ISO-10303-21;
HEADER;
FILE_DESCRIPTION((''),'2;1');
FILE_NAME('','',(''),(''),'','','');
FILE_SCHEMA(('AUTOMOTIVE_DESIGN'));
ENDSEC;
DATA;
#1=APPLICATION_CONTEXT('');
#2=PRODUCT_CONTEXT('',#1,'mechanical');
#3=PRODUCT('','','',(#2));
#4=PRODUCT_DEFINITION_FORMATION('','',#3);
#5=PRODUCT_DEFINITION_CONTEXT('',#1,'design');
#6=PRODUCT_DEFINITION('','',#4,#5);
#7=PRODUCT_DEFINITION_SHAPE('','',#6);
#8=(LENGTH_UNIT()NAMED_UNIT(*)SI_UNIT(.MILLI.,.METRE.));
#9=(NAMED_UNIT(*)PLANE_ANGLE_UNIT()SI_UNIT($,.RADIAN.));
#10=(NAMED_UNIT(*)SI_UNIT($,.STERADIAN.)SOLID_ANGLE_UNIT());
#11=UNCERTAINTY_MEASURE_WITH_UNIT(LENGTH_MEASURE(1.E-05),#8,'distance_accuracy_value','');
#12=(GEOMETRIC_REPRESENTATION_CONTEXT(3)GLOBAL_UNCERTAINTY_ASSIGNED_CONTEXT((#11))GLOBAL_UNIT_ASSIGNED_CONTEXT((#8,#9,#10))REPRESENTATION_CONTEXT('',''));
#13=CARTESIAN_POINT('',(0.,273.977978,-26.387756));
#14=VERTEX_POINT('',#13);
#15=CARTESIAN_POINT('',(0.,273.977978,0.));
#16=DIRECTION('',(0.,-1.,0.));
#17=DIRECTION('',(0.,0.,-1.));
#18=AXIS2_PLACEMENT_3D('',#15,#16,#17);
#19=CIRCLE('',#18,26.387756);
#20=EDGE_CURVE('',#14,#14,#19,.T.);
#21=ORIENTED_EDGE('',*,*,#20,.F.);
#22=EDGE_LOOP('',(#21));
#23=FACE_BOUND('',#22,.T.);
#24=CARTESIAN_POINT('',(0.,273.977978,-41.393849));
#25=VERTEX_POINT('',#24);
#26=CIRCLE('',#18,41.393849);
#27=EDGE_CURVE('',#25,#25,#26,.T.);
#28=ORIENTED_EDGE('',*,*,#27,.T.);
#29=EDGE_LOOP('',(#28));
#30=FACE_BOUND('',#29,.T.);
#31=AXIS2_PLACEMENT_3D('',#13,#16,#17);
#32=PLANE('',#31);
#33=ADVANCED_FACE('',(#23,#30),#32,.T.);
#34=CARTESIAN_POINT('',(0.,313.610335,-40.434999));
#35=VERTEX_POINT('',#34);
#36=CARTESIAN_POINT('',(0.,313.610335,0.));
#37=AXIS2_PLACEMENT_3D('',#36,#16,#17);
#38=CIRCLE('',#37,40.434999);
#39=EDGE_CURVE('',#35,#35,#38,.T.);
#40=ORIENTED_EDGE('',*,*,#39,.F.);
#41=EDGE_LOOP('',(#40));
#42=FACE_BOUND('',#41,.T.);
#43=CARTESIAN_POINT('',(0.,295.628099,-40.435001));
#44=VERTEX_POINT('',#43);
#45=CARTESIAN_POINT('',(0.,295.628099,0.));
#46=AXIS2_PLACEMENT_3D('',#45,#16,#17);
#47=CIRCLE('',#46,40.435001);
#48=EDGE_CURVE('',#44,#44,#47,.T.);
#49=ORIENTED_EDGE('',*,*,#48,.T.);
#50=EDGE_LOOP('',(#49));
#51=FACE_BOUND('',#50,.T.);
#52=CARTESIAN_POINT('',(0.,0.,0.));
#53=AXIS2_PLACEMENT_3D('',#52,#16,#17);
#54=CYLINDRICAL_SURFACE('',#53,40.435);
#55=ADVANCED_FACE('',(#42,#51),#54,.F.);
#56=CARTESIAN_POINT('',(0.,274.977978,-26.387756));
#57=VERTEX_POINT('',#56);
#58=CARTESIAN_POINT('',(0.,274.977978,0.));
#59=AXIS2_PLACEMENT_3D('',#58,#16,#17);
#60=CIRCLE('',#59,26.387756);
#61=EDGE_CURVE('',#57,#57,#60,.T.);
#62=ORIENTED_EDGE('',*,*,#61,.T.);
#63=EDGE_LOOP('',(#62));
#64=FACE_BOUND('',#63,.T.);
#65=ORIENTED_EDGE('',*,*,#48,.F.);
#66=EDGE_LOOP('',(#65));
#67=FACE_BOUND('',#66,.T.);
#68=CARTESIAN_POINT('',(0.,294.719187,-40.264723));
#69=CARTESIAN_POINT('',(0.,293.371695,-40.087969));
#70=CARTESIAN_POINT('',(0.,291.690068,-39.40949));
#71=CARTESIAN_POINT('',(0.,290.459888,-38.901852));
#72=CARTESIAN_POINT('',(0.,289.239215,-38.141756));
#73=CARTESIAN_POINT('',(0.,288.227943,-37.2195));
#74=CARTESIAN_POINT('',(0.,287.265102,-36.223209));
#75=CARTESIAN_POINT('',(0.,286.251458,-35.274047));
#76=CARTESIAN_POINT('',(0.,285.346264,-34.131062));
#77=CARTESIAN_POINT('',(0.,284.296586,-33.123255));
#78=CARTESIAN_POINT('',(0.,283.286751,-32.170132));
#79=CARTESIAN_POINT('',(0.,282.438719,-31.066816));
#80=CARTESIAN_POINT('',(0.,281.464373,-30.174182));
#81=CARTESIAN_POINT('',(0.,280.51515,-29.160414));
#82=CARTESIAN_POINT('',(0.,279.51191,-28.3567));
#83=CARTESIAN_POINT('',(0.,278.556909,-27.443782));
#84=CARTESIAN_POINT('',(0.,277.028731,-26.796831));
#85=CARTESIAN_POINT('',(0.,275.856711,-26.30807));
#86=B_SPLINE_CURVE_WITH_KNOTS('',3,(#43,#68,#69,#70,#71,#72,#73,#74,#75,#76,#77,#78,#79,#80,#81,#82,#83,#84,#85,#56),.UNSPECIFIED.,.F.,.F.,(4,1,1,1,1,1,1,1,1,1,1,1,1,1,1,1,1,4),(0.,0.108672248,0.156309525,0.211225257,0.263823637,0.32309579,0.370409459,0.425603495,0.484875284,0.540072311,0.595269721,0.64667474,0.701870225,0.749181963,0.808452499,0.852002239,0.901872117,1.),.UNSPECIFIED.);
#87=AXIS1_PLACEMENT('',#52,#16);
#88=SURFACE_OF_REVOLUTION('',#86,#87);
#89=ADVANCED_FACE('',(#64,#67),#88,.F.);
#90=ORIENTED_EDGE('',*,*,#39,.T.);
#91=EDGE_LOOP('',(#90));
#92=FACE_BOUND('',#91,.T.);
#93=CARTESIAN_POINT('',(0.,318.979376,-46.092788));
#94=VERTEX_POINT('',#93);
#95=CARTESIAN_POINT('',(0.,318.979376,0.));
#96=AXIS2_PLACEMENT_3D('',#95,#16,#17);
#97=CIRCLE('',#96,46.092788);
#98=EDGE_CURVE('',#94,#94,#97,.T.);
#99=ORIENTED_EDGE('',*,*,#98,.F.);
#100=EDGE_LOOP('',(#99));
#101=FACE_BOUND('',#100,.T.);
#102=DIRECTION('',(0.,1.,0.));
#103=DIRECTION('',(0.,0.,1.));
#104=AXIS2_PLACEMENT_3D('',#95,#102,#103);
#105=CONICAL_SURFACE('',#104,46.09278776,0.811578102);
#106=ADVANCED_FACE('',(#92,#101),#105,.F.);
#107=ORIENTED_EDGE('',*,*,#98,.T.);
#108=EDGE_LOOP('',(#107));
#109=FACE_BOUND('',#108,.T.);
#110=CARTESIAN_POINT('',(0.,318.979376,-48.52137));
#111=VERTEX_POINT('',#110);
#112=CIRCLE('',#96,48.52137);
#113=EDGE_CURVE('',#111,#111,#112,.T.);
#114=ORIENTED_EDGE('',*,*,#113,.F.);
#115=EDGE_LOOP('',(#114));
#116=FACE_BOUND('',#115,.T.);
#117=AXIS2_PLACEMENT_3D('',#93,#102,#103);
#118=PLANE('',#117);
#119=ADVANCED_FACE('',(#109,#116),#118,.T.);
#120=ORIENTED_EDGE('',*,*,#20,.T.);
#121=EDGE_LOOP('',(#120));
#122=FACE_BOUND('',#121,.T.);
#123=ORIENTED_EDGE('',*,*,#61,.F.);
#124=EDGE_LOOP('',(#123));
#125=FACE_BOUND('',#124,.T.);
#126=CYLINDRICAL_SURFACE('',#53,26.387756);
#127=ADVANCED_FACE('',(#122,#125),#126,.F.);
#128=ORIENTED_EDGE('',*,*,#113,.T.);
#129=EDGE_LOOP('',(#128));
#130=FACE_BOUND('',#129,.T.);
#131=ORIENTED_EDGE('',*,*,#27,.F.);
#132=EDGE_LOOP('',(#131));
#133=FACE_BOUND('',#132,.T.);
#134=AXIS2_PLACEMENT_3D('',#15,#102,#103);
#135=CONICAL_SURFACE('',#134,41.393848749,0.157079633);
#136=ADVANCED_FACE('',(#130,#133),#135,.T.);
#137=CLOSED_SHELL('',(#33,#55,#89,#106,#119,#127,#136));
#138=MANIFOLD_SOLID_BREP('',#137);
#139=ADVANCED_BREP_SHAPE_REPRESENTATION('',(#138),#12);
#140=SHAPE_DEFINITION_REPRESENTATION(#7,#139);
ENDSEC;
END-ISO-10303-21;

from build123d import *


with BuildPart() as part:
    # cup → Revolve10 (revolve)
    with BuildSketch(Plane(origin=(0, 0, 0), x_dir=(0, 0, -1), z_dir=(1, 0, 0))):
        with BuildLine():
            Line((26.3877562, 273.977978152), (41.393848749, 273.977978152))
            Line((41.393848749, 273.977978152), (48.521369999, 318.979376237))
            Line((48.521369999, 318.979376237), (46.09278776, 318.979376237))
            Line((46.09278776, 318.979376237), (40.434998933, 313.610335114))
            Line((40.434998933, 313.610335114), (40.434998933, 302.929125624))
            Line((40.434998933, 302.929125624), (40.435001067, 295.628098891))
            add(Edge.make_bspline(
                [(26.3877562, 274.977978152), (26.308069584, 275.856710536), (26.796830662, 277.02873066), (27.443781617, 278.556908896), (28.356699811, 279.511909602), (29.160414421, 280.515150439), (30.174182206, 281.464372876), (31.066815667, 282.438718878), (32.170131949, 283.286750944), (33.123255367, 284.296585872), (34.13106238, 285.346264322), (35.274047285, 286.251458493), (36.223208535, 287.265101835), (37.219500197, 288.227943348), (38.14175611, 289.239215424), (38.901851681, 290.459887567), (39.40949031, 291.690068117), (40.087968636, 293.371695279), (40.264723453, 294.719186571), (40.435001067, 295.628098891)],
                knots=[0, 0, 0, 0, 0.098127883, 0.147997761, 0.191547501, 0.250818037, 0.298129775, 0.35332526, 0.404730279, 0.459927689, 0.515124716, 0.574396505, 0.629590541, 0.67690421, 0.736176363, 0.788774743, 0.843690475, 0.891327752, 1, 1, 1, 1], degree=3))
            Line((26.3877562, 274.977978152), (26.3877562, 273.977978152))
        make_face()
    revolve(axis=Axis((0, 0, 0), (0, 1, 0)))


solid = part.part
